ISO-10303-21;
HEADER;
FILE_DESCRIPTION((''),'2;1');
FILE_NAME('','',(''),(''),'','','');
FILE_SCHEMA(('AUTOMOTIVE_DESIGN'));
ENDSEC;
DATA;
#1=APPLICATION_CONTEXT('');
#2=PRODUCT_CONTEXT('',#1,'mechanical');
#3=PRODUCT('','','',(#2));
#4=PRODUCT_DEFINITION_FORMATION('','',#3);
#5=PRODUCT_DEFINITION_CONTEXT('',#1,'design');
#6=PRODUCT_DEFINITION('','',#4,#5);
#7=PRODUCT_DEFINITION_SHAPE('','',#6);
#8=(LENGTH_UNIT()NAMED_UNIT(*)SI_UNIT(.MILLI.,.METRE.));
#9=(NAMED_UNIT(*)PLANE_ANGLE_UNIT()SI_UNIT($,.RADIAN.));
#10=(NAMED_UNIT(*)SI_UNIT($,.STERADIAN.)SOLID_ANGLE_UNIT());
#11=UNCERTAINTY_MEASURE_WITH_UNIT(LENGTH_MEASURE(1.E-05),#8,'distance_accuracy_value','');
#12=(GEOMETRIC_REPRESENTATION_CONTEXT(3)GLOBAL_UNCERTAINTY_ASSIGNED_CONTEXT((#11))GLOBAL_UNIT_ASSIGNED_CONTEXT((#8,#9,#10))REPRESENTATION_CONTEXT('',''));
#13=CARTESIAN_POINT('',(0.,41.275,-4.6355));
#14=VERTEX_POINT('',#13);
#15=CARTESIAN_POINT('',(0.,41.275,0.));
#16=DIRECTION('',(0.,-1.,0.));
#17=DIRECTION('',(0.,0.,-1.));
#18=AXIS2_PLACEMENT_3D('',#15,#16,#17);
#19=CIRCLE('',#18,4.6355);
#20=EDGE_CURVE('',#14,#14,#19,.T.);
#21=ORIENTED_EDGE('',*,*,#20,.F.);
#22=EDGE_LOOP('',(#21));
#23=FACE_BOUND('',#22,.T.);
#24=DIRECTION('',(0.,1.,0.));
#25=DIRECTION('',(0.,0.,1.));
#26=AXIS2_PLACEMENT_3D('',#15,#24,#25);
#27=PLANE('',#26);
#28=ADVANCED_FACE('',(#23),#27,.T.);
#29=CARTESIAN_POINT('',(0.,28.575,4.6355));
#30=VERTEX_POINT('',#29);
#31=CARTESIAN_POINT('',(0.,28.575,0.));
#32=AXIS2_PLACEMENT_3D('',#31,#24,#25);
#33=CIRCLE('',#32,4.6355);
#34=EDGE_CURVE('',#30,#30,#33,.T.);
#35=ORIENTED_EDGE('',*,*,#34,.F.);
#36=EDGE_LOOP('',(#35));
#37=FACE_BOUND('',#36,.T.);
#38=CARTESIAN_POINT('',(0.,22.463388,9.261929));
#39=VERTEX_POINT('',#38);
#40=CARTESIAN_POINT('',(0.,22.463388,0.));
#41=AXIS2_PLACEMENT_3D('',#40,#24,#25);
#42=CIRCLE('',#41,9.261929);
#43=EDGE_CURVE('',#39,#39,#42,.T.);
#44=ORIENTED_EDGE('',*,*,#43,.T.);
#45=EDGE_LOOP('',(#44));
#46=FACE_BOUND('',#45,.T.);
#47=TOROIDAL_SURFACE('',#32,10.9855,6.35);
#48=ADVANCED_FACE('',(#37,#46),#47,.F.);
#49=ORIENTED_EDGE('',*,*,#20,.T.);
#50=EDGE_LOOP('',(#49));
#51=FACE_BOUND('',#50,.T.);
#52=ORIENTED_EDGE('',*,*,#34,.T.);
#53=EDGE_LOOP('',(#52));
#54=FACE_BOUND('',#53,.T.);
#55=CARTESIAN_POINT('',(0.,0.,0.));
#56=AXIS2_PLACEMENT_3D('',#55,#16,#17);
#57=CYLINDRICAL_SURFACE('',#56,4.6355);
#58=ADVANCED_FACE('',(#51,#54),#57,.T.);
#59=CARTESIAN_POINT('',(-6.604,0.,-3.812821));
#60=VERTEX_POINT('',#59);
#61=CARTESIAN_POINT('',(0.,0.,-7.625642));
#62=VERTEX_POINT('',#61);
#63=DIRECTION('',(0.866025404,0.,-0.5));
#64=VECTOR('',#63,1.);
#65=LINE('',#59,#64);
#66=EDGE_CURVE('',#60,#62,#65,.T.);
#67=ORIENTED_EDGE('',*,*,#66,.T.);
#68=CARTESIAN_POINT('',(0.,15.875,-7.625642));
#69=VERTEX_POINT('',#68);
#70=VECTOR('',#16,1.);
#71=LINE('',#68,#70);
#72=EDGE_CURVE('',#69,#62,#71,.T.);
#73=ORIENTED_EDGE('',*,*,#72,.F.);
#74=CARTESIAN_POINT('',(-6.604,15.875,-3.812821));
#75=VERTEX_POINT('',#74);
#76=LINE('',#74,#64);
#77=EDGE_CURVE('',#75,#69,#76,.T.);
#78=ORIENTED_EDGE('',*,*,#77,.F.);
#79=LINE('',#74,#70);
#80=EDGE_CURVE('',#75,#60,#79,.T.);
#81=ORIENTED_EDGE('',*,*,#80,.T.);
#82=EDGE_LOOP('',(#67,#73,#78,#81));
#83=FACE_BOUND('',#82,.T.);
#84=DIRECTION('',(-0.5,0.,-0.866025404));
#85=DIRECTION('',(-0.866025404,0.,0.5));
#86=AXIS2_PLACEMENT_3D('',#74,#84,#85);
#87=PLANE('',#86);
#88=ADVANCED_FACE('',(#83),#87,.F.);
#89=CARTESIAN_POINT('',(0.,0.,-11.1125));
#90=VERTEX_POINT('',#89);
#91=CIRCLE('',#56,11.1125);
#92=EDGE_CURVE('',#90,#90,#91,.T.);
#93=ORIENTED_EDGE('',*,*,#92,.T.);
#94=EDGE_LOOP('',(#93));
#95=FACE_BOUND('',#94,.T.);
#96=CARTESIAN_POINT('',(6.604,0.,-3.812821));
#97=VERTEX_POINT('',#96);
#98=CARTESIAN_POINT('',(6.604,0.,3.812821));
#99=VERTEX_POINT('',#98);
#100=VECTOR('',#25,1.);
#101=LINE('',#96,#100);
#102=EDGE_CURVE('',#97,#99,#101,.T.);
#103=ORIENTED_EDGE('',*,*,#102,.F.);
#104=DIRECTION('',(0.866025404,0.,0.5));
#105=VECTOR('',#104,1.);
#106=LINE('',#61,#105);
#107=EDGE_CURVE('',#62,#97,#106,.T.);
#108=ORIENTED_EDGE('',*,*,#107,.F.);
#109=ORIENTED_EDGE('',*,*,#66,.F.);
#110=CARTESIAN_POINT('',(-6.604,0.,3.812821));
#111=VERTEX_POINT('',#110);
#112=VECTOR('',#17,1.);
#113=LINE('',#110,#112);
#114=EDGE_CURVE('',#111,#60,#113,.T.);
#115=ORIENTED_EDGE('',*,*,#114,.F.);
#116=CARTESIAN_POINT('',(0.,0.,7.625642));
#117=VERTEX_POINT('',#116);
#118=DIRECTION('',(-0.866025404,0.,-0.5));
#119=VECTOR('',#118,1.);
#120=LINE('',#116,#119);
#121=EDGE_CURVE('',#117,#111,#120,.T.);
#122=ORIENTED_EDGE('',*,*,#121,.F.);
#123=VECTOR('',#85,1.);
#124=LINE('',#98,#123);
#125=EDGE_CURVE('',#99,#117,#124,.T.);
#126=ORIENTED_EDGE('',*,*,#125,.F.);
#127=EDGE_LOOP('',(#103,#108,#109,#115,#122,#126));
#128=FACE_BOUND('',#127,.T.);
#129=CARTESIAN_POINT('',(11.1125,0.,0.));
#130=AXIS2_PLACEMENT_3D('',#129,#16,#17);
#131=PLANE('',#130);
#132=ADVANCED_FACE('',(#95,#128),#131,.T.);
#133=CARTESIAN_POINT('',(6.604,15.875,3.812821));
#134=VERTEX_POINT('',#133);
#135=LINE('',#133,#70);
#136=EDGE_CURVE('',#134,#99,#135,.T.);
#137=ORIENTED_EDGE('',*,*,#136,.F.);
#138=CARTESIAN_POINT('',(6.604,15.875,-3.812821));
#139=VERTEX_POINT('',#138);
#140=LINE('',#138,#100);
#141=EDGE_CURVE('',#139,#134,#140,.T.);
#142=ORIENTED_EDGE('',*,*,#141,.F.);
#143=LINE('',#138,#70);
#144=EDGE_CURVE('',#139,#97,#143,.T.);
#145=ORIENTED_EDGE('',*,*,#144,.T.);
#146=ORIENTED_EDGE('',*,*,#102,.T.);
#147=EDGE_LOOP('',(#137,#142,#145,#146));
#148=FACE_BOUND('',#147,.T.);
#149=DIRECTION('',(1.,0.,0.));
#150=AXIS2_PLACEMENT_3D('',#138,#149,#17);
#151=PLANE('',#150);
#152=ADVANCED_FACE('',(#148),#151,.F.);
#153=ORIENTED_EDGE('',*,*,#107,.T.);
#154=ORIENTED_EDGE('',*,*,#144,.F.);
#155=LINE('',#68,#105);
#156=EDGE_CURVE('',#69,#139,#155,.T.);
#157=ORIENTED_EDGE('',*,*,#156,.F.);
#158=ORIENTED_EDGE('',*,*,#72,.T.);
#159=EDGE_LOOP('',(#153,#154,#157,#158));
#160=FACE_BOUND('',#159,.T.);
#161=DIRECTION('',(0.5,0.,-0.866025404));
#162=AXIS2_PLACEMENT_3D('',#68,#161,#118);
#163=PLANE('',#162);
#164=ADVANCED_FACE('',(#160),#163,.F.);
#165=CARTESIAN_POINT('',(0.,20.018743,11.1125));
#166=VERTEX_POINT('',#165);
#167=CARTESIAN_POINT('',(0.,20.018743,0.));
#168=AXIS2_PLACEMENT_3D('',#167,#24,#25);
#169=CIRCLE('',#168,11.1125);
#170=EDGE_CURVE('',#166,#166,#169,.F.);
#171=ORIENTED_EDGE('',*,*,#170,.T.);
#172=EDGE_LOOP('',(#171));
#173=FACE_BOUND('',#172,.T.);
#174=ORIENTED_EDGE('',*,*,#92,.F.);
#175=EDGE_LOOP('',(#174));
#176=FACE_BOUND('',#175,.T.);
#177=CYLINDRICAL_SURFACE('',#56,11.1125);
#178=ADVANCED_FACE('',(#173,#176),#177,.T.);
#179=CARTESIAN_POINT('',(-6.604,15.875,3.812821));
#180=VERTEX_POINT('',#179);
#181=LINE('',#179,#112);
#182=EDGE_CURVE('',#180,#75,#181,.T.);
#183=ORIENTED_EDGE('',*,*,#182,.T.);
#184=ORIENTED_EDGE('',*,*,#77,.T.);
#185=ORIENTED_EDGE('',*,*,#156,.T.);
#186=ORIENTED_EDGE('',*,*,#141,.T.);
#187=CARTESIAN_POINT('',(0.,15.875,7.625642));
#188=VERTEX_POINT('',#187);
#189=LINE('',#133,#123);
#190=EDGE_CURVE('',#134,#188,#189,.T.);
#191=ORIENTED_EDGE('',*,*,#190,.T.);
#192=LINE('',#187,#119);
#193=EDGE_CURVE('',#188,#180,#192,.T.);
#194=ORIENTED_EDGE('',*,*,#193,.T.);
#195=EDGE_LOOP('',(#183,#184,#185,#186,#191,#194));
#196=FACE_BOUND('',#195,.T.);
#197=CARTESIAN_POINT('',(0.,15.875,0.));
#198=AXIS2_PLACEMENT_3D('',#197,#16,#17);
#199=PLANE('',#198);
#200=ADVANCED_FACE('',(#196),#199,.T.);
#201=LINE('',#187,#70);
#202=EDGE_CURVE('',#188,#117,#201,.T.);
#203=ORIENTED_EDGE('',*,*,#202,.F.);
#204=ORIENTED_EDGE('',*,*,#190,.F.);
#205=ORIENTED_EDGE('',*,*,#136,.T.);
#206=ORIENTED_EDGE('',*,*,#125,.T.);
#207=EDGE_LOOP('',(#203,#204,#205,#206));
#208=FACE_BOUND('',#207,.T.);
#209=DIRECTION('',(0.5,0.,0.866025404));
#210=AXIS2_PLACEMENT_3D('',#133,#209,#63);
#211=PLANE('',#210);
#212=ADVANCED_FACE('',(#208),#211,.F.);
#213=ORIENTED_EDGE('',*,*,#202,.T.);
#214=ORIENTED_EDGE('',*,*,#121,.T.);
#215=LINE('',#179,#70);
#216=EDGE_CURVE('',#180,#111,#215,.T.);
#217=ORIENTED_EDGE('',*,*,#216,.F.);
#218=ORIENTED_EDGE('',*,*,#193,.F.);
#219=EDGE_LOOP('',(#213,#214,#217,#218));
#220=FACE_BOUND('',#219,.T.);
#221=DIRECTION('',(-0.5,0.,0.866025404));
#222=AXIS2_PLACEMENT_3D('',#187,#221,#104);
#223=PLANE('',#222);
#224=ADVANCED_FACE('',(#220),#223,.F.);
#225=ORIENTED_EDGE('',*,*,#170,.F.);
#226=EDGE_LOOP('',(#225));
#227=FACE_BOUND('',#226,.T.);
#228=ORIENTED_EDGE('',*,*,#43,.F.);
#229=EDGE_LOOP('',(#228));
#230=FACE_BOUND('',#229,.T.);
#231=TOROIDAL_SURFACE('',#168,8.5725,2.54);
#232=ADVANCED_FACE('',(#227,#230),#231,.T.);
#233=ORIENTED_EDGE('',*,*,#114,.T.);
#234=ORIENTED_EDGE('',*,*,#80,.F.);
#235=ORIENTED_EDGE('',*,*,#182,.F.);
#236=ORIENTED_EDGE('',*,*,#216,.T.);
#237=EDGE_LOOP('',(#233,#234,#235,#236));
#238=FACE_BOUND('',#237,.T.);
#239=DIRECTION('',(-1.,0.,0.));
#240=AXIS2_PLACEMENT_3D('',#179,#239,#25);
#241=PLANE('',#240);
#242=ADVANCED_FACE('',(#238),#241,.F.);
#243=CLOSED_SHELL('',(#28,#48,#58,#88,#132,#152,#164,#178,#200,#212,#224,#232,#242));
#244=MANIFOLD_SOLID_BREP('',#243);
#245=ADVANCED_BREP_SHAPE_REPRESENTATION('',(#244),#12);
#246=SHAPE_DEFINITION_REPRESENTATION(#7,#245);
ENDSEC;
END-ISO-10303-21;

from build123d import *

# Parameters (mm, degrees)
CUT_EXTRUDE1_DEPTH = 15.875
FILLET1_R          = 6.35
FILLET2_R          = 2.54


with BuildPart() as part:
    # Sketch1 → Revolve1 (revolve)
    with BuildSketch(Plane.XY, mode=Mode.PRIVATE) as revolve1_sk:
        Polygon((0, 41.275), (4.6355, 41.275), (4.6355, 22.225), (11.1125, 22.225), (11.1125, 0), (0, 0), align=None)
    revolve(revolve1_sk.sketch.rotate(Axis((0, 0, 0), (0, 1, 0)), 90), axis=Axis((0, 0, 0), (0, 1, 0)))

    # Sketch2 → Cut-Extrude1 (cut)
    with BuildSketch(Plane.XZ):
        Polygon((6.604, 3.812821178), (0, 7.625642355), (-6.604, 3.812821178), (-6.604, -3.812821178), (0, -7.625642355), (6.604, -3.812821178), align=None)
    extrude(amount=-CUT_EXTRUDE1_DEPTH, mode=Mode.SUBTRACT)

    # Fillet1
    fillet1_edges = [part.edges().sort_by_distance(p)[0] for p in [
        (0, 22.225, 4.6355),
    ]]
    fillet(fillet1_edges, radius=FILLET1_R)

    # Fillet2
    fillet2_edges = [part.edges().sort_by_distance(p)[0] for p in [
        (0, 22.225, 11.1125),
    ]]
    fillet(fillet2_edges, radius=FILLET2_R)


solid = part.part
